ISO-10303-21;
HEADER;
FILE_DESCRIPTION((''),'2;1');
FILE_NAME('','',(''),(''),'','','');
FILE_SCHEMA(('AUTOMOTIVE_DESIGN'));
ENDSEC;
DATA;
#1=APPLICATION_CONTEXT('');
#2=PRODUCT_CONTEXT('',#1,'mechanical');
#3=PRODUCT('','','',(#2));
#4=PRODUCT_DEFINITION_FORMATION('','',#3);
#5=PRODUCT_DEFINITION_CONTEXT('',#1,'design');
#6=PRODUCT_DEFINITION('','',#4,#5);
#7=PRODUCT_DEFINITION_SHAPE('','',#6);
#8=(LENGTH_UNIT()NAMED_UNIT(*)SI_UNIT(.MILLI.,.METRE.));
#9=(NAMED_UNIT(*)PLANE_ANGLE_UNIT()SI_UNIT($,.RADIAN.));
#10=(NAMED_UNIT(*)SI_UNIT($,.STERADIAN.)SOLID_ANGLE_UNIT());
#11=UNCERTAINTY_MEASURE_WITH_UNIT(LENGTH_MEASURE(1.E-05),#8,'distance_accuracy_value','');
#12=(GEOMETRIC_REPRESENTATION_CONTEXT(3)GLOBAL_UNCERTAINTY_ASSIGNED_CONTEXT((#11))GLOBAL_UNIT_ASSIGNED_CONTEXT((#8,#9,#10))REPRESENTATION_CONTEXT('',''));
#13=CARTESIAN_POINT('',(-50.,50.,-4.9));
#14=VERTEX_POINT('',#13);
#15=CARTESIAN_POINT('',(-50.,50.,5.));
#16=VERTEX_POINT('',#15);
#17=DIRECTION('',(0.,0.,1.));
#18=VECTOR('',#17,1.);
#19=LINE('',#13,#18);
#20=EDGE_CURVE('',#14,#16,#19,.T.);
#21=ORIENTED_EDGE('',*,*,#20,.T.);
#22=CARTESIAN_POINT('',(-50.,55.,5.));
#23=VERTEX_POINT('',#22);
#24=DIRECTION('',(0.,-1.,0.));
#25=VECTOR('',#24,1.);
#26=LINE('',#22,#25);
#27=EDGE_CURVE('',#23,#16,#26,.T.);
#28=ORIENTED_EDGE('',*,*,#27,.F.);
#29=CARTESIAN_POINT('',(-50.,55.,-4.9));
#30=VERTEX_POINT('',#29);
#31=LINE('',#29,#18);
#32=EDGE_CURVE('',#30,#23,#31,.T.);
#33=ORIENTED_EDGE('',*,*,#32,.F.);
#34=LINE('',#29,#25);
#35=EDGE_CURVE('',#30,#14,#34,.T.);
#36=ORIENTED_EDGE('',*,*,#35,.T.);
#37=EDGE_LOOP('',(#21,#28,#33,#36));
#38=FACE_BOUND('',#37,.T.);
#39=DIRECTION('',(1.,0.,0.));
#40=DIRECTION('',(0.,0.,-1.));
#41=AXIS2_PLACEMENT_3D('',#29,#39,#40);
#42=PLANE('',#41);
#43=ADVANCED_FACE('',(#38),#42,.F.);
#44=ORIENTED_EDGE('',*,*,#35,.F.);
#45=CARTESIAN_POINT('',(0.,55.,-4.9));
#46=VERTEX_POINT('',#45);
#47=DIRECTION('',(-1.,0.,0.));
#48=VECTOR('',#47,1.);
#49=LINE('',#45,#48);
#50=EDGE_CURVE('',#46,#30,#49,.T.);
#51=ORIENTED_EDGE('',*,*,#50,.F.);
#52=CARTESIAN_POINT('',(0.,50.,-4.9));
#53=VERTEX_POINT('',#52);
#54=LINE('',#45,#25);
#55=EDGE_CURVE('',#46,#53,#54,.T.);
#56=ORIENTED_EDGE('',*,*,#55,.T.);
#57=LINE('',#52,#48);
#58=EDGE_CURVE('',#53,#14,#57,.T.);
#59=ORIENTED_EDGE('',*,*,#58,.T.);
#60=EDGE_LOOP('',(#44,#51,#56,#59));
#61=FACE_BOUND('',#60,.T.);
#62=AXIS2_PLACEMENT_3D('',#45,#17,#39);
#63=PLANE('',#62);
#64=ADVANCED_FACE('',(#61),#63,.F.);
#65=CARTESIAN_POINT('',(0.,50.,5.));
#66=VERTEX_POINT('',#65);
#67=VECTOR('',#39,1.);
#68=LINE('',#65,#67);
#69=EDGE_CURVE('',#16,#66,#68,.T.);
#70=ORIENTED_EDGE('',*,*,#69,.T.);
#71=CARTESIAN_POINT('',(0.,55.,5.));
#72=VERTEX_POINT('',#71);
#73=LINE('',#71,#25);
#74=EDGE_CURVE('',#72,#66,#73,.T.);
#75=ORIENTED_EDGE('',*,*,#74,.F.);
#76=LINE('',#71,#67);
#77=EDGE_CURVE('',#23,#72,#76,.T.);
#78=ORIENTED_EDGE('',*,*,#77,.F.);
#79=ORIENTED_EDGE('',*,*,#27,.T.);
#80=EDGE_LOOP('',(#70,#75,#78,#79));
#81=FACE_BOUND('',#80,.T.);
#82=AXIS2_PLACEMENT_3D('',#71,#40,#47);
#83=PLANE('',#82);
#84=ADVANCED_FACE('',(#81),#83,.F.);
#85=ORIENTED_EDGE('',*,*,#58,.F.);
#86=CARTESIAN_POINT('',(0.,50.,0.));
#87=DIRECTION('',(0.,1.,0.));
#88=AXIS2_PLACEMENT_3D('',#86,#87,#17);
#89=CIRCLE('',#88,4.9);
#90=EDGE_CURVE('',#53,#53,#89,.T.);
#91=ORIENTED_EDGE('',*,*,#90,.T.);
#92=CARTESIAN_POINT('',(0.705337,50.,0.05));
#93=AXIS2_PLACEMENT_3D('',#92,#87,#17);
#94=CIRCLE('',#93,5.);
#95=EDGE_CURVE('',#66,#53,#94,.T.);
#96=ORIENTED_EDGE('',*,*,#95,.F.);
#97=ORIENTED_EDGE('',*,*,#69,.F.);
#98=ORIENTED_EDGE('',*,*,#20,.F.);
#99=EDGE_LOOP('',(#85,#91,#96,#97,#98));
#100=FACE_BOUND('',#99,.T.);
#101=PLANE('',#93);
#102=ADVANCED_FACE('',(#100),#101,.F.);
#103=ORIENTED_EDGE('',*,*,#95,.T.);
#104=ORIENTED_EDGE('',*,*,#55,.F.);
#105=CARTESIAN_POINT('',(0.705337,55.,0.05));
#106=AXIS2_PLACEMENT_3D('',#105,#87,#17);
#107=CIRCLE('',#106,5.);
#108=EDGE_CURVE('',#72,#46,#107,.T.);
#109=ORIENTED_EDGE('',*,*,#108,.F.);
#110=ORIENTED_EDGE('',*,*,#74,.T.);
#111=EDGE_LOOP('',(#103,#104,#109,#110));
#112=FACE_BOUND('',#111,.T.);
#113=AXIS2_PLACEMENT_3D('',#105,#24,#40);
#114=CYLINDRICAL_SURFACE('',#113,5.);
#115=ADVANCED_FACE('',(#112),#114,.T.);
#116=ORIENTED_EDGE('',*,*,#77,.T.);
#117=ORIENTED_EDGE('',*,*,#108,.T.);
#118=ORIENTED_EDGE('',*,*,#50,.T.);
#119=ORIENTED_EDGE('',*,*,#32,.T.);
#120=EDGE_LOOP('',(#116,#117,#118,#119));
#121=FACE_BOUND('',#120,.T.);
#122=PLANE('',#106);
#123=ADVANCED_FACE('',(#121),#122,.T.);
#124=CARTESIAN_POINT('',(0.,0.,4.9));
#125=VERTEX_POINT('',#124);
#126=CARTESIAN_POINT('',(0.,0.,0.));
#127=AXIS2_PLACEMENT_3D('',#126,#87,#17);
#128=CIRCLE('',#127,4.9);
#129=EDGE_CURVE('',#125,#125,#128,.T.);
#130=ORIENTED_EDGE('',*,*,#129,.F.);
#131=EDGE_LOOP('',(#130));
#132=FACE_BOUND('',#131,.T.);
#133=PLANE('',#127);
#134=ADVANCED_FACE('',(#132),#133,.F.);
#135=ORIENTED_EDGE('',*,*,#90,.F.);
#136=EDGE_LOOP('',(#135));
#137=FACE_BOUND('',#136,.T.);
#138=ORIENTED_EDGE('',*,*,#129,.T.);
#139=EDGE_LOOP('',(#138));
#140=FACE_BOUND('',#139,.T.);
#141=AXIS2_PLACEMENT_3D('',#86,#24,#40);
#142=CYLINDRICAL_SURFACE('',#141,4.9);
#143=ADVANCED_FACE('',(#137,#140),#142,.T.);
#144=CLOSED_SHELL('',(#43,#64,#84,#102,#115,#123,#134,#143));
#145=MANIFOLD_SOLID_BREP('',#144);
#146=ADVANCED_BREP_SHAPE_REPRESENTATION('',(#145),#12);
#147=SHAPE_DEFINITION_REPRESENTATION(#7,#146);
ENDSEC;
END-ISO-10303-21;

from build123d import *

# Parameters (mm, degrees)
SKETCH1_R           = 4.9
BOSS_EXTRUDE1_DEPTH = 50
BOSS_EXTRUDE2_DEPTH = 5


with BuildPart() as part:
    # Sketch1 → Boss-Extrude1 (new body)
    with BuildSketch(Plane(origin=(0, 0, 0), x_dir=(1, 0, 0), z_dir=(0, 1, 0))):
        with Locations(Location((0, 0, 0), (0, 0, 270))):
            Circle(SKETCH1_R)
    extrude(amount=BOSS_EXTRUDE1_DEPTH)

    # Sketch2 → Boss-Extrude2 (add)
    with BuildSketch(Plane(origin=(0, 50, 0), x_dir=(1, 0, 0), z_dir=(0, 1, 0))):
        with BuildLine():
            Line((0, 4.9), (-50, 4.9))
            Line((-50, 4.9), (-50, -5))
            Line((-50, -5), (0, -5))
            ThreePointArc((0, -5), (5.705336799, -0.05), (0, 4.9))
        make_face()
    extrude(amount=BOSS_EXTRUDE2_DEPTH)


solid = part.part
